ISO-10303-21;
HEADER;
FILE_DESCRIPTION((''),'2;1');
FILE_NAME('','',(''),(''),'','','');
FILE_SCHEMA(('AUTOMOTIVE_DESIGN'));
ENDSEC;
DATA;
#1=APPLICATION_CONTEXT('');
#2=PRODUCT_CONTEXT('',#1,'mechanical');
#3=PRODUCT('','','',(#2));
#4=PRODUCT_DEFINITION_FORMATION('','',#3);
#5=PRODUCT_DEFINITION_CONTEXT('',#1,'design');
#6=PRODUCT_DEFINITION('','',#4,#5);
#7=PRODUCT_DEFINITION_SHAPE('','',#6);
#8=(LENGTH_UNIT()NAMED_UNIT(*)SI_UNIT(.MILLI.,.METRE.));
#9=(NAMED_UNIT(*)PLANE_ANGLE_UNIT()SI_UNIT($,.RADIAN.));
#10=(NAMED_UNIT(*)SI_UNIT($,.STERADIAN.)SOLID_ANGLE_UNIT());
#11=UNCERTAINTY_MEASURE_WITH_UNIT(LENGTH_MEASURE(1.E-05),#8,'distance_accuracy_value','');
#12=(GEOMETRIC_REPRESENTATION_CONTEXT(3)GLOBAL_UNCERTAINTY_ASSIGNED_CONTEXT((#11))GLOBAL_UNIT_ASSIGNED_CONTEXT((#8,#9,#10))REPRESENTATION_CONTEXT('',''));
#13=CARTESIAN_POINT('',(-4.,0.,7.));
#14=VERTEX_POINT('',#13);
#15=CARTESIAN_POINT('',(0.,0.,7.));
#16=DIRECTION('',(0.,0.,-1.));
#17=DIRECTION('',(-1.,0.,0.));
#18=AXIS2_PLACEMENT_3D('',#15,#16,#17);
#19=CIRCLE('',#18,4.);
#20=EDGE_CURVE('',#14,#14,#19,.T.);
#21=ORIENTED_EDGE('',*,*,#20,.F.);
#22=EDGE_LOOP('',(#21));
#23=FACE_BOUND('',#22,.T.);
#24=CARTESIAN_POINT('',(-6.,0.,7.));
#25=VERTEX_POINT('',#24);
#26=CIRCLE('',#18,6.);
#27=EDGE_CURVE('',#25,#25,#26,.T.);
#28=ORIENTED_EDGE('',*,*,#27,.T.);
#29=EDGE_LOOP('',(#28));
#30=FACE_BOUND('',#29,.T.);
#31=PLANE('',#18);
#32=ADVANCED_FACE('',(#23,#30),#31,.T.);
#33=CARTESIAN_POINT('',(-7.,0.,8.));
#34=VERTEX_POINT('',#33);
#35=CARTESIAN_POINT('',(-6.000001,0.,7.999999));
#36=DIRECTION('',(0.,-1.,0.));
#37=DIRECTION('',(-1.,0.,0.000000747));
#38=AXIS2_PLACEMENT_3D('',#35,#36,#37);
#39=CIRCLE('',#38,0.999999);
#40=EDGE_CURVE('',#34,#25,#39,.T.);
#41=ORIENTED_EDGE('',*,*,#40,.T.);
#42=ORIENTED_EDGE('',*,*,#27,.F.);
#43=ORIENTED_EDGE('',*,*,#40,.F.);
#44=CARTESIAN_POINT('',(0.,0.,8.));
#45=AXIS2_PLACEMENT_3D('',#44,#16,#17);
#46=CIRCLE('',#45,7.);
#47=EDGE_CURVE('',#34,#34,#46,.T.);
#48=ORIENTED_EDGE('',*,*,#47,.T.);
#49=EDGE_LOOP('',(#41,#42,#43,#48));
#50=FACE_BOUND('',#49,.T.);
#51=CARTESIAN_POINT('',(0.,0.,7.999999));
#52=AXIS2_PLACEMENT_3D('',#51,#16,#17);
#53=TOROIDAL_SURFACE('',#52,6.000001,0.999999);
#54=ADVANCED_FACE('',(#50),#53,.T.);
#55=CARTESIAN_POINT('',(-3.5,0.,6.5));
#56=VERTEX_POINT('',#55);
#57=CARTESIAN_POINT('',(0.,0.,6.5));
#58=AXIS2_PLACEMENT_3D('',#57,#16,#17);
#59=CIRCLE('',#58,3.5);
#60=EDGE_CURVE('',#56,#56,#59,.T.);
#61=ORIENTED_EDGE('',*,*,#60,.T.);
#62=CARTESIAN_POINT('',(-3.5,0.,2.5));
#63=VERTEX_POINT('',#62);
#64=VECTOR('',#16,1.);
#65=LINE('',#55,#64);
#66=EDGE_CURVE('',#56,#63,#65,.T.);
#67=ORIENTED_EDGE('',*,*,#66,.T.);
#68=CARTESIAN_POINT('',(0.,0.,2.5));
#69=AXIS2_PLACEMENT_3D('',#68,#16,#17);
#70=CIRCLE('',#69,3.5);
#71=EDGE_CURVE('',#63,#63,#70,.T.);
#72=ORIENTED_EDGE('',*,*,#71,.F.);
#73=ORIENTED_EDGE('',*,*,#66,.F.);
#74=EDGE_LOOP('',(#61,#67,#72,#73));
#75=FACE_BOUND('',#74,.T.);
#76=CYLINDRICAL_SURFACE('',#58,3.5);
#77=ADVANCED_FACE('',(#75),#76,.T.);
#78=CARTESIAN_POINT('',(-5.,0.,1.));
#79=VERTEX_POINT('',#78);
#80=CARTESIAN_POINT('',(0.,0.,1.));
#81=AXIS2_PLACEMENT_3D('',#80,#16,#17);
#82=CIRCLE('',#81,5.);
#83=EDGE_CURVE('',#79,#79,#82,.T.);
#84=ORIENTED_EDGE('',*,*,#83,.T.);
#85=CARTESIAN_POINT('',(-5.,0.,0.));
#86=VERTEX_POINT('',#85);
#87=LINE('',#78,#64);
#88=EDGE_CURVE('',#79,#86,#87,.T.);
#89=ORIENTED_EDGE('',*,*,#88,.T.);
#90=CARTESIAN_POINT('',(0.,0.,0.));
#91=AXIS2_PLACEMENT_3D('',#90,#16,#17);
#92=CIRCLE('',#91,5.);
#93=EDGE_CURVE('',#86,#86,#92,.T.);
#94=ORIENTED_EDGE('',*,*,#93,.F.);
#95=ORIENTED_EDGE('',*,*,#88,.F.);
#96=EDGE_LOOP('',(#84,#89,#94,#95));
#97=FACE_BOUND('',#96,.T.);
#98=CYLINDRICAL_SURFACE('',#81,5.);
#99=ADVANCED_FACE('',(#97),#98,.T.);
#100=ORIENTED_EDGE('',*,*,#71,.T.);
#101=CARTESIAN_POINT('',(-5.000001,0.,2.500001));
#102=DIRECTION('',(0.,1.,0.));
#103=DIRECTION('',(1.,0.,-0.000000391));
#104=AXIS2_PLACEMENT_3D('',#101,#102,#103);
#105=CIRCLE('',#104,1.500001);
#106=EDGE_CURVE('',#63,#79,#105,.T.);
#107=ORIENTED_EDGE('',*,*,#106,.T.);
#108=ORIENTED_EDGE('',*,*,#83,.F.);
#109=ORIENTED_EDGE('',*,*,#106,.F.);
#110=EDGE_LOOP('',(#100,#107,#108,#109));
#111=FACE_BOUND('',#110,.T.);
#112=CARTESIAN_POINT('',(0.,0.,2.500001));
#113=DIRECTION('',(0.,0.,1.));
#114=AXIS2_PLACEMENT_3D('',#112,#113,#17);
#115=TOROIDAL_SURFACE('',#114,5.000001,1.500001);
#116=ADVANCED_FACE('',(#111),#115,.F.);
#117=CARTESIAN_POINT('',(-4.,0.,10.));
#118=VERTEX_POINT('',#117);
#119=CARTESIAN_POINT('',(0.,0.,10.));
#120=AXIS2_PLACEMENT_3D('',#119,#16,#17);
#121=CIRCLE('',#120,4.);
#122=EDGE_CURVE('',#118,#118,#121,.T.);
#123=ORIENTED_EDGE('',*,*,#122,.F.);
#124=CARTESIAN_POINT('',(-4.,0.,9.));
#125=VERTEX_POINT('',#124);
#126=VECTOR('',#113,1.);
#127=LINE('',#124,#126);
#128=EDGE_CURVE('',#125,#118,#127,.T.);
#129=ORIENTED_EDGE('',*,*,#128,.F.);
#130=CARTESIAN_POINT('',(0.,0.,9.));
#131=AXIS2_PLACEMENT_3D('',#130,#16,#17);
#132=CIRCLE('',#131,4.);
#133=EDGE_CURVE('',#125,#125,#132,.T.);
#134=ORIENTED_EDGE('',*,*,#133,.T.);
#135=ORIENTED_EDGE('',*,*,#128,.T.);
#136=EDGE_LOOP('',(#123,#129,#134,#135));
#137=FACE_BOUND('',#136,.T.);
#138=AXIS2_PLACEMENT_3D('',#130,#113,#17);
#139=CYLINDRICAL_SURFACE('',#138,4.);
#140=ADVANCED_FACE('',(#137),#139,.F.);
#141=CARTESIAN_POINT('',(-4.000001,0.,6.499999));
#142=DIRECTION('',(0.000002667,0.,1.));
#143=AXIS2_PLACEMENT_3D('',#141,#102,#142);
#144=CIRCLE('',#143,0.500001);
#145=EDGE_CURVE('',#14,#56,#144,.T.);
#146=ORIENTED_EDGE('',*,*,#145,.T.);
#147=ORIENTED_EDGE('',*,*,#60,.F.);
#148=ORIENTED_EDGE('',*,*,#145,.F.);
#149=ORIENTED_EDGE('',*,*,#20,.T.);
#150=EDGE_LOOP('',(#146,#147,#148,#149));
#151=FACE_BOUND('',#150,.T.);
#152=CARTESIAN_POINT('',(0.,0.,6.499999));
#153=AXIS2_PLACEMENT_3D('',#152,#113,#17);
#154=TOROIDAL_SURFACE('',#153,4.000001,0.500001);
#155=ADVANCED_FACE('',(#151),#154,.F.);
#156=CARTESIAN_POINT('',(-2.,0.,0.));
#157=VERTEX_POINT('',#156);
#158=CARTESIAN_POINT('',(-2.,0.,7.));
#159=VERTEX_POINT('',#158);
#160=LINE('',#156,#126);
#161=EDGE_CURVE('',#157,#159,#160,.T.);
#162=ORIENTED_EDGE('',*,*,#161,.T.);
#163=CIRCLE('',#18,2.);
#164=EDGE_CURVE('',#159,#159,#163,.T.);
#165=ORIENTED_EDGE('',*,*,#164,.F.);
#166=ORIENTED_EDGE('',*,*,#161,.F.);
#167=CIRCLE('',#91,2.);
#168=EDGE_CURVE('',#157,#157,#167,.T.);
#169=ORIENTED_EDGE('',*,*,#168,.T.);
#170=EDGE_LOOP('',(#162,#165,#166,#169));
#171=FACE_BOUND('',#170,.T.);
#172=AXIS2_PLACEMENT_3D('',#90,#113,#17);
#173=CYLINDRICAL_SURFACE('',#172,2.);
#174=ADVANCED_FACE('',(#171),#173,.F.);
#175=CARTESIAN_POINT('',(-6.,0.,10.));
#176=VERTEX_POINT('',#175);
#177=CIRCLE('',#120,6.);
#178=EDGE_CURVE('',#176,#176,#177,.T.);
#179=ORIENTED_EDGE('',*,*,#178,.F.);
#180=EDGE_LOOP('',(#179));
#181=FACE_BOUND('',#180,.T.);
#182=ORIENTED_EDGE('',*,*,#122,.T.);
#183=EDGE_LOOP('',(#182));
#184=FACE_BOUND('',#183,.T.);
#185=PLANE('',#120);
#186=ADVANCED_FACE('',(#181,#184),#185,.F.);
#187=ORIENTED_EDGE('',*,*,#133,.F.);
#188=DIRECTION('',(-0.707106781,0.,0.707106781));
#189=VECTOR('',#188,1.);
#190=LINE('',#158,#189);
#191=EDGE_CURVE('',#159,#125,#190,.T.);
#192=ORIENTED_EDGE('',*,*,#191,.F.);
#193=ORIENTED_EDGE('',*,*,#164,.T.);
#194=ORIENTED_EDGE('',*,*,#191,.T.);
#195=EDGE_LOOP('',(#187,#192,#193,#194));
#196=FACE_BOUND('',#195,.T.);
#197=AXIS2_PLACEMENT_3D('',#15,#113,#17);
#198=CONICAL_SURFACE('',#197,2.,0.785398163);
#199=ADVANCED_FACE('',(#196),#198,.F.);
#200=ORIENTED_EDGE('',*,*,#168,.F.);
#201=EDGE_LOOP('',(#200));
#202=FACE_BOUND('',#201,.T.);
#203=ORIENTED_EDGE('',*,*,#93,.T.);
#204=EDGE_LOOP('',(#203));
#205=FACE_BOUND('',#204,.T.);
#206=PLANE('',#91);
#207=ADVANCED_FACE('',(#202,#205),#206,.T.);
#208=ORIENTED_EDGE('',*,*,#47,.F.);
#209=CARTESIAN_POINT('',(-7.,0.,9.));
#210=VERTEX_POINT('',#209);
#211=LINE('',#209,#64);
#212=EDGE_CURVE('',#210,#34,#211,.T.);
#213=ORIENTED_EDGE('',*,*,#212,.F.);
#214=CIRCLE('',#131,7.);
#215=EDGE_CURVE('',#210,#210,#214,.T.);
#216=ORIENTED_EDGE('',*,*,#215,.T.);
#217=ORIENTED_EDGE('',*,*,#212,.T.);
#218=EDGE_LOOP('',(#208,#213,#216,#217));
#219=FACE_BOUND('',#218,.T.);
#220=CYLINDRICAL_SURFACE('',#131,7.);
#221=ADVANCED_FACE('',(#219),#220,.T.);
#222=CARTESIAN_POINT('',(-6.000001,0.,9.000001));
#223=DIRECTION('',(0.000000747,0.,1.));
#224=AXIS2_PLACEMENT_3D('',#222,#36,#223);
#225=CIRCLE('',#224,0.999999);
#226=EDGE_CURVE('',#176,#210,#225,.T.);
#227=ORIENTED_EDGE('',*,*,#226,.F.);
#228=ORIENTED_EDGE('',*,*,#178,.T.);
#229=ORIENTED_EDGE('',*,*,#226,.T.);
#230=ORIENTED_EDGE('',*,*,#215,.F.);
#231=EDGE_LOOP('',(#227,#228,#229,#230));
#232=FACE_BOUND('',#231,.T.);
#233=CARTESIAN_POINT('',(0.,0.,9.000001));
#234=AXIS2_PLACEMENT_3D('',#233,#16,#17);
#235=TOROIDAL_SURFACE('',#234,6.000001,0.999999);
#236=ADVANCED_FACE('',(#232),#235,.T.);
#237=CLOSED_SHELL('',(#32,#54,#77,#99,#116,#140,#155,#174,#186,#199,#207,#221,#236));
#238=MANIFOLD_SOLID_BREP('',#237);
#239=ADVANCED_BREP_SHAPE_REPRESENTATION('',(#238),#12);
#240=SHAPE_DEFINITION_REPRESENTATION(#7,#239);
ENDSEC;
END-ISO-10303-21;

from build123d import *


with BuildPart() as f1:
    # F0 (on Front) → F1 (revolve)
    with BuildSketch(Plane.XZ):
        with BuildLine():
            Line((-5, 0), (-2, 0))
            Line((-2, 0), (-2, 7))
            Line((-2, 7), (-4, 9))
            Line((-4, 9), (-4, 10))
            Line((-4, 10), (-6, 10))
            ThreePointArc((-6, 10), (-6.707107, 9.707107), (-7, 9))
            Line((-7, 9), (-7, 8))
            ThreePointArc((-7, 8), (-6.707107, 7.292893), (-6, 7))
            Line((-6, 7), (-4, 7))
            ThreePointArc((-4, 7), (-3.646447, 6.853553), (-3.5, 6.5))
            Line((-3.5, 6.5), (-3.5, 2.5))
            ThreePointArc((-3.5, 2.5), (-3.93934, 1.43934), (-5, 1))
            Line((-5, 1), (-5, 0))
        make_face()
    revolve(axis=Axis((0, 0, -0.231959), (0, 0, -1)))


solid = f1.part
